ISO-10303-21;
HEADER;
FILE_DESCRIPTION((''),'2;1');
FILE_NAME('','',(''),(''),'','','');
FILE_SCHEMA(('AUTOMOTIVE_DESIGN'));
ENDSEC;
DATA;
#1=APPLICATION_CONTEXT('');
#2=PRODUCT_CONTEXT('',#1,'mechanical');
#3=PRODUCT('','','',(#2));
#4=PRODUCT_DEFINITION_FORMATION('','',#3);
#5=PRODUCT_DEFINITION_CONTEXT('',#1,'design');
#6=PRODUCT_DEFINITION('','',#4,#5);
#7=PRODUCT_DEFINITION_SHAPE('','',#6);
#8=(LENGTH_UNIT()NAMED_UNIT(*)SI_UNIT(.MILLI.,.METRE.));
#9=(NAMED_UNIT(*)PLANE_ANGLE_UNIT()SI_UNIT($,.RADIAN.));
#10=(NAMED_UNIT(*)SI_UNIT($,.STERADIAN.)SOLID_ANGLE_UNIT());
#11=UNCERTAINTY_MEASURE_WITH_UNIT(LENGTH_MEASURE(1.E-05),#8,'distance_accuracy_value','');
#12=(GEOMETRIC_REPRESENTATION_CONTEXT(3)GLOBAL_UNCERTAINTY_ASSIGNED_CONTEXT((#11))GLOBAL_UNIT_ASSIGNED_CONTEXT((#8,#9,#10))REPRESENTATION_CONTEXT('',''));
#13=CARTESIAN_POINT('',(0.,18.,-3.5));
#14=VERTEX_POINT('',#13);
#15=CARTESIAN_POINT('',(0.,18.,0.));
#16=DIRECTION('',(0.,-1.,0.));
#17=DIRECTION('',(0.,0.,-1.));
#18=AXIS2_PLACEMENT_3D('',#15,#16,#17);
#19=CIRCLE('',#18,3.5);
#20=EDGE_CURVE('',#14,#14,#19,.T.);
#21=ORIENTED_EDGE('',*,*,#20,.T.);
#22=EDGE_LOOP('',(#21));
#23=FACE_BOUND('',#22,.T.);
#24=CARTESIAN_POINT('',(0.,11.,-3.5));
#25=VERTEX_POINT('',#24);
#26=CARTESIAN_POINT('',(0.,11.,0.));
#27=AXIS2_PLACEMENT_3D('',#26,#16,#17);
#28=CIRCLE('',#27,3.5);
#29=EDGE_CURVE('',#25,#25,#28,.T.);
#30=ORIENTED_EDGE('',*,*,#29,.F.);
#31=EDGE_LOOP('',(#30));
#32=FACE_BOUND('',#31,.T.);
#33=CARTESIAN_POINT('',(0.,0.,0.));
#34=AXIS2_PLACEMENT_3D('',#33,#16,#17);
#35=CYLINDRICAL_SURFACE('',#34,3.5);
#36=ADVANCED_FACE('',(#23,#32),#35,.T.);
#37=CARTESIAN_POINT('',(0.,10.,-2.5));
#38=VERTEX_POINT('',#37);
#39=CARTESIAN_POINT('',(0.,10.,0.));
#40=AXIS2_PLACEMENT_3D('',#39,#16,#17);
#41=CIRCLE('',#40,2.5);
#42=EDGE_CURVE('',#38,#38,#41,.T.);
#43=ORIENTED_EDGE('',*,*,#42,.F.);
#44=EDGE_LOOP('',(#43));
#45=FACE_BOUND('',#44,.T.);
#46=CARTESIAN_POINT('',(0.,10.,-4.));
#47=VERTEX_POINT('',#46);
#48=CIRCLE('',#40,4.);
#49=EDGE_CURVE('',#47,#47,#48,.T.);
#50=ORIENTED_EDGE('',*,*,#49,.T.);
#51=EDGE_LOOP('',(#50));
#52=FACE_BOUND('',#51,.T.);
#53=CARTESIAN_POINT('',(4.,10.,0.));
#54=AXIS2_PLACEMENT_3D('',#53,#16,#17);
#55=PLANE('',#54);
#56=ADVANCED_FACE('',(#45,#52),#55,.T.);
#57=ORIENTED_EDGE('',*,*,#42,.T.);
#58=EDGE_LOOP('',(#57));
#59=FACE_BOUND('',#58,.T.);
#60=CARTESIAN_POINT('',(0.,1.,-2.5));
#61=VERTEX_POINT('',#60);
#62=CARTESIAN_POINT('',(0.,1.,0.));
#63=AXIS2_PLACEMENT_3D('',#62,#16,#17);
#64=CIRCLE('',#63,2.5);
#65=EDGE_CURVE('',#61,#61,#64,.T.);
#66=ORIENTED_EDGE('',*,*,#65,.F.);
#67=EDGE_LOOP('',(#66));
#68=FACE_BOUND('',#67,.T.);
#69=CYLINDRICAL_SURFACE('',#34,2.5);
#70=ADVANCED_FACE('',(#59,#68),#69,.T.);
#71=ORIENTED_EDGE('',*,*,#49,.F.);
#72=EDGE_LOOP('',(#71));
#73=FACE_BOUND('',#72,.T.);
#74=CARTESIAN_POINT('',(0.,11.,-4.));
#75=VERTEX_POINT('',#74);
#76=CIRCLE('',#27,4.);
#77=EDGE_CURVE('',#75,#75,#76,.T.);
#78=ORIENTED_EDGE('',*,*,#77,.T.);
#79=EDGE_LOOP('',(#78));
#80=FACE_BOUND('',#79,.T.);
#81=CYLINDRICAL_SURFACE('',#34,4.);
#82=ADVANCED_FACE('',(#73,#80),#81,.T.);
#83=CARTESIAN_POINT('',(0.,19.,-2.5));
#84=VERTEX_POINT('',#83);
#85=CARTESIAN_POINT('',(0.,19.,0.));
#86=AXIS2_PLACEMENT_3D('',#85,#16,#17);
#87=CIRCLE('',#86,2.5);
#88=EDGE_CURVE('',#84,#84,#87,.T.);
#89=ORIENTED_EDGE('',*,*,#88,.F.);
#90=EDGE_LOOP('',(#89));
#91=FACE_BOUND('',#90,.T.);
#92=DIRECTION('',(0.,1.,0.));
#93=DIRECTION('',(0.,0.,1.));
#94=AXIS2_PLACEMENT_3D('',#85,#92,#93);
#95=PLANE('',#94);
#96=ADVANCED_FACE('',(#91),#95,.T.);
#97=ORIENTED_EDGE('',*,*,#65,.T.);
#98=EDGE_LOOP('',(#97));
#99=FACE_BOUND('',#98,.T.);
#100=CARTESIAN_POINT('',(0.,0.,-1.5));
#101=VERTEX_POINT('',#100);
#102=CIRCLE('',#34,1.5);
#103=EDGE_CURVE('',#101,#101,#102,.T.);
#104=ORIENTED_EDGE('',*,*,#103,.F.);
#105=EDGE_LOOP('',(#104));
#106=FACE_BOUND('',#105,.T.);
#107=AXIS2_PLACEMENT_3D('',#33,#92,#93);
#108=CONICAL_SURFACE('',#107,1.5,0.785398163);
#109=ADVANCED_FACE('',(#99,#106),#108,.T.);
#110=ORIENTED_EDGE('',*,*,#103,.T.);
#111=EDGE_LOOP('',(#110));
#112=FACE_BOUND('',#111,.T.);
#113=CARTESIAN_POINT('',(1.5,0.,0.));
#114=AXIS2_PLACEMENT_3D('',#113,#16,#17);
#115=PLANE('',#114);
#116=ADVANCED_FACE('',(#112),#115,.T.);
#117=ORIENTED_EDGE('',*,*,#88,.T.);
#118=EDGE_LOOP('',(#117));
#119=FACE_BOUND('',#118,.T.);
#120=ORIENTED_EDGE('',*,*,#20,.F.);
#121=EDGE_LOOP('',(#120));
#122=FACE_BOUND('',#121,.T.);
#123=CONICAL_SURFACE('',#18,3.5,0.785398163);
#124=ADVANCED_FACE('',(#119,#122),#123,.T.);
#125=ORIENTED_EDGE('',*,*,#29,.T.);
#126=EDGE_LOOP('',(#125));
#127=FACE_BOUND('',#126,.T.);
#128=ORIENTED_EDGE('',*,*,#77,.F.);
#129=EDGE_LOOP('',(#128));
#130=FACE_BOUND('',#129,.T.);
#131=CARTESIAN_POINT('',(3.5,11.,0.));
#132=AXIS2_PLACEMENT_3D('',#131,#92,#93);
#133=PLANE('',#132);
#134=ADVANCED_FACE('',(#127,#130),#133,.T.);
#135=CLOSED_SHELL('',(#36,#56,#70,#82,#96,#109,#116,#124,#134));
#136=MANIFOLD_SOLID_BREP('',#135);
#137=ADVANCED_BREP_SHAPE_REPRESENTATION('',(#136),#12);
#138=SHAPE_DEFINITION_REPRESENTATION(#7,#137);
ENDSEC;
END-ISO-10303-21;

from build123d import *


with BuildPart() as part:
    # 草图1 → 旋转1 (revolve)
    with BuildSketch(Plane.XY, mode=Mode.PRIVATE) as revolve_1_sk:
        Polygon((0, 0), (0, 19), (2.5, 19), (3.5, 18), (3.5, 11), (4, 11), (4, 10), (2.5, 10), (2.5, 1), (1.5, 0), align=None)
    revolve(revolve_1_sk.sketch.rotate(Axis((0, 0, 0), (0, 1, 0)), 90), axis=Axis((0, 0, 0), (0, 1, 0)))


solid = part.part
